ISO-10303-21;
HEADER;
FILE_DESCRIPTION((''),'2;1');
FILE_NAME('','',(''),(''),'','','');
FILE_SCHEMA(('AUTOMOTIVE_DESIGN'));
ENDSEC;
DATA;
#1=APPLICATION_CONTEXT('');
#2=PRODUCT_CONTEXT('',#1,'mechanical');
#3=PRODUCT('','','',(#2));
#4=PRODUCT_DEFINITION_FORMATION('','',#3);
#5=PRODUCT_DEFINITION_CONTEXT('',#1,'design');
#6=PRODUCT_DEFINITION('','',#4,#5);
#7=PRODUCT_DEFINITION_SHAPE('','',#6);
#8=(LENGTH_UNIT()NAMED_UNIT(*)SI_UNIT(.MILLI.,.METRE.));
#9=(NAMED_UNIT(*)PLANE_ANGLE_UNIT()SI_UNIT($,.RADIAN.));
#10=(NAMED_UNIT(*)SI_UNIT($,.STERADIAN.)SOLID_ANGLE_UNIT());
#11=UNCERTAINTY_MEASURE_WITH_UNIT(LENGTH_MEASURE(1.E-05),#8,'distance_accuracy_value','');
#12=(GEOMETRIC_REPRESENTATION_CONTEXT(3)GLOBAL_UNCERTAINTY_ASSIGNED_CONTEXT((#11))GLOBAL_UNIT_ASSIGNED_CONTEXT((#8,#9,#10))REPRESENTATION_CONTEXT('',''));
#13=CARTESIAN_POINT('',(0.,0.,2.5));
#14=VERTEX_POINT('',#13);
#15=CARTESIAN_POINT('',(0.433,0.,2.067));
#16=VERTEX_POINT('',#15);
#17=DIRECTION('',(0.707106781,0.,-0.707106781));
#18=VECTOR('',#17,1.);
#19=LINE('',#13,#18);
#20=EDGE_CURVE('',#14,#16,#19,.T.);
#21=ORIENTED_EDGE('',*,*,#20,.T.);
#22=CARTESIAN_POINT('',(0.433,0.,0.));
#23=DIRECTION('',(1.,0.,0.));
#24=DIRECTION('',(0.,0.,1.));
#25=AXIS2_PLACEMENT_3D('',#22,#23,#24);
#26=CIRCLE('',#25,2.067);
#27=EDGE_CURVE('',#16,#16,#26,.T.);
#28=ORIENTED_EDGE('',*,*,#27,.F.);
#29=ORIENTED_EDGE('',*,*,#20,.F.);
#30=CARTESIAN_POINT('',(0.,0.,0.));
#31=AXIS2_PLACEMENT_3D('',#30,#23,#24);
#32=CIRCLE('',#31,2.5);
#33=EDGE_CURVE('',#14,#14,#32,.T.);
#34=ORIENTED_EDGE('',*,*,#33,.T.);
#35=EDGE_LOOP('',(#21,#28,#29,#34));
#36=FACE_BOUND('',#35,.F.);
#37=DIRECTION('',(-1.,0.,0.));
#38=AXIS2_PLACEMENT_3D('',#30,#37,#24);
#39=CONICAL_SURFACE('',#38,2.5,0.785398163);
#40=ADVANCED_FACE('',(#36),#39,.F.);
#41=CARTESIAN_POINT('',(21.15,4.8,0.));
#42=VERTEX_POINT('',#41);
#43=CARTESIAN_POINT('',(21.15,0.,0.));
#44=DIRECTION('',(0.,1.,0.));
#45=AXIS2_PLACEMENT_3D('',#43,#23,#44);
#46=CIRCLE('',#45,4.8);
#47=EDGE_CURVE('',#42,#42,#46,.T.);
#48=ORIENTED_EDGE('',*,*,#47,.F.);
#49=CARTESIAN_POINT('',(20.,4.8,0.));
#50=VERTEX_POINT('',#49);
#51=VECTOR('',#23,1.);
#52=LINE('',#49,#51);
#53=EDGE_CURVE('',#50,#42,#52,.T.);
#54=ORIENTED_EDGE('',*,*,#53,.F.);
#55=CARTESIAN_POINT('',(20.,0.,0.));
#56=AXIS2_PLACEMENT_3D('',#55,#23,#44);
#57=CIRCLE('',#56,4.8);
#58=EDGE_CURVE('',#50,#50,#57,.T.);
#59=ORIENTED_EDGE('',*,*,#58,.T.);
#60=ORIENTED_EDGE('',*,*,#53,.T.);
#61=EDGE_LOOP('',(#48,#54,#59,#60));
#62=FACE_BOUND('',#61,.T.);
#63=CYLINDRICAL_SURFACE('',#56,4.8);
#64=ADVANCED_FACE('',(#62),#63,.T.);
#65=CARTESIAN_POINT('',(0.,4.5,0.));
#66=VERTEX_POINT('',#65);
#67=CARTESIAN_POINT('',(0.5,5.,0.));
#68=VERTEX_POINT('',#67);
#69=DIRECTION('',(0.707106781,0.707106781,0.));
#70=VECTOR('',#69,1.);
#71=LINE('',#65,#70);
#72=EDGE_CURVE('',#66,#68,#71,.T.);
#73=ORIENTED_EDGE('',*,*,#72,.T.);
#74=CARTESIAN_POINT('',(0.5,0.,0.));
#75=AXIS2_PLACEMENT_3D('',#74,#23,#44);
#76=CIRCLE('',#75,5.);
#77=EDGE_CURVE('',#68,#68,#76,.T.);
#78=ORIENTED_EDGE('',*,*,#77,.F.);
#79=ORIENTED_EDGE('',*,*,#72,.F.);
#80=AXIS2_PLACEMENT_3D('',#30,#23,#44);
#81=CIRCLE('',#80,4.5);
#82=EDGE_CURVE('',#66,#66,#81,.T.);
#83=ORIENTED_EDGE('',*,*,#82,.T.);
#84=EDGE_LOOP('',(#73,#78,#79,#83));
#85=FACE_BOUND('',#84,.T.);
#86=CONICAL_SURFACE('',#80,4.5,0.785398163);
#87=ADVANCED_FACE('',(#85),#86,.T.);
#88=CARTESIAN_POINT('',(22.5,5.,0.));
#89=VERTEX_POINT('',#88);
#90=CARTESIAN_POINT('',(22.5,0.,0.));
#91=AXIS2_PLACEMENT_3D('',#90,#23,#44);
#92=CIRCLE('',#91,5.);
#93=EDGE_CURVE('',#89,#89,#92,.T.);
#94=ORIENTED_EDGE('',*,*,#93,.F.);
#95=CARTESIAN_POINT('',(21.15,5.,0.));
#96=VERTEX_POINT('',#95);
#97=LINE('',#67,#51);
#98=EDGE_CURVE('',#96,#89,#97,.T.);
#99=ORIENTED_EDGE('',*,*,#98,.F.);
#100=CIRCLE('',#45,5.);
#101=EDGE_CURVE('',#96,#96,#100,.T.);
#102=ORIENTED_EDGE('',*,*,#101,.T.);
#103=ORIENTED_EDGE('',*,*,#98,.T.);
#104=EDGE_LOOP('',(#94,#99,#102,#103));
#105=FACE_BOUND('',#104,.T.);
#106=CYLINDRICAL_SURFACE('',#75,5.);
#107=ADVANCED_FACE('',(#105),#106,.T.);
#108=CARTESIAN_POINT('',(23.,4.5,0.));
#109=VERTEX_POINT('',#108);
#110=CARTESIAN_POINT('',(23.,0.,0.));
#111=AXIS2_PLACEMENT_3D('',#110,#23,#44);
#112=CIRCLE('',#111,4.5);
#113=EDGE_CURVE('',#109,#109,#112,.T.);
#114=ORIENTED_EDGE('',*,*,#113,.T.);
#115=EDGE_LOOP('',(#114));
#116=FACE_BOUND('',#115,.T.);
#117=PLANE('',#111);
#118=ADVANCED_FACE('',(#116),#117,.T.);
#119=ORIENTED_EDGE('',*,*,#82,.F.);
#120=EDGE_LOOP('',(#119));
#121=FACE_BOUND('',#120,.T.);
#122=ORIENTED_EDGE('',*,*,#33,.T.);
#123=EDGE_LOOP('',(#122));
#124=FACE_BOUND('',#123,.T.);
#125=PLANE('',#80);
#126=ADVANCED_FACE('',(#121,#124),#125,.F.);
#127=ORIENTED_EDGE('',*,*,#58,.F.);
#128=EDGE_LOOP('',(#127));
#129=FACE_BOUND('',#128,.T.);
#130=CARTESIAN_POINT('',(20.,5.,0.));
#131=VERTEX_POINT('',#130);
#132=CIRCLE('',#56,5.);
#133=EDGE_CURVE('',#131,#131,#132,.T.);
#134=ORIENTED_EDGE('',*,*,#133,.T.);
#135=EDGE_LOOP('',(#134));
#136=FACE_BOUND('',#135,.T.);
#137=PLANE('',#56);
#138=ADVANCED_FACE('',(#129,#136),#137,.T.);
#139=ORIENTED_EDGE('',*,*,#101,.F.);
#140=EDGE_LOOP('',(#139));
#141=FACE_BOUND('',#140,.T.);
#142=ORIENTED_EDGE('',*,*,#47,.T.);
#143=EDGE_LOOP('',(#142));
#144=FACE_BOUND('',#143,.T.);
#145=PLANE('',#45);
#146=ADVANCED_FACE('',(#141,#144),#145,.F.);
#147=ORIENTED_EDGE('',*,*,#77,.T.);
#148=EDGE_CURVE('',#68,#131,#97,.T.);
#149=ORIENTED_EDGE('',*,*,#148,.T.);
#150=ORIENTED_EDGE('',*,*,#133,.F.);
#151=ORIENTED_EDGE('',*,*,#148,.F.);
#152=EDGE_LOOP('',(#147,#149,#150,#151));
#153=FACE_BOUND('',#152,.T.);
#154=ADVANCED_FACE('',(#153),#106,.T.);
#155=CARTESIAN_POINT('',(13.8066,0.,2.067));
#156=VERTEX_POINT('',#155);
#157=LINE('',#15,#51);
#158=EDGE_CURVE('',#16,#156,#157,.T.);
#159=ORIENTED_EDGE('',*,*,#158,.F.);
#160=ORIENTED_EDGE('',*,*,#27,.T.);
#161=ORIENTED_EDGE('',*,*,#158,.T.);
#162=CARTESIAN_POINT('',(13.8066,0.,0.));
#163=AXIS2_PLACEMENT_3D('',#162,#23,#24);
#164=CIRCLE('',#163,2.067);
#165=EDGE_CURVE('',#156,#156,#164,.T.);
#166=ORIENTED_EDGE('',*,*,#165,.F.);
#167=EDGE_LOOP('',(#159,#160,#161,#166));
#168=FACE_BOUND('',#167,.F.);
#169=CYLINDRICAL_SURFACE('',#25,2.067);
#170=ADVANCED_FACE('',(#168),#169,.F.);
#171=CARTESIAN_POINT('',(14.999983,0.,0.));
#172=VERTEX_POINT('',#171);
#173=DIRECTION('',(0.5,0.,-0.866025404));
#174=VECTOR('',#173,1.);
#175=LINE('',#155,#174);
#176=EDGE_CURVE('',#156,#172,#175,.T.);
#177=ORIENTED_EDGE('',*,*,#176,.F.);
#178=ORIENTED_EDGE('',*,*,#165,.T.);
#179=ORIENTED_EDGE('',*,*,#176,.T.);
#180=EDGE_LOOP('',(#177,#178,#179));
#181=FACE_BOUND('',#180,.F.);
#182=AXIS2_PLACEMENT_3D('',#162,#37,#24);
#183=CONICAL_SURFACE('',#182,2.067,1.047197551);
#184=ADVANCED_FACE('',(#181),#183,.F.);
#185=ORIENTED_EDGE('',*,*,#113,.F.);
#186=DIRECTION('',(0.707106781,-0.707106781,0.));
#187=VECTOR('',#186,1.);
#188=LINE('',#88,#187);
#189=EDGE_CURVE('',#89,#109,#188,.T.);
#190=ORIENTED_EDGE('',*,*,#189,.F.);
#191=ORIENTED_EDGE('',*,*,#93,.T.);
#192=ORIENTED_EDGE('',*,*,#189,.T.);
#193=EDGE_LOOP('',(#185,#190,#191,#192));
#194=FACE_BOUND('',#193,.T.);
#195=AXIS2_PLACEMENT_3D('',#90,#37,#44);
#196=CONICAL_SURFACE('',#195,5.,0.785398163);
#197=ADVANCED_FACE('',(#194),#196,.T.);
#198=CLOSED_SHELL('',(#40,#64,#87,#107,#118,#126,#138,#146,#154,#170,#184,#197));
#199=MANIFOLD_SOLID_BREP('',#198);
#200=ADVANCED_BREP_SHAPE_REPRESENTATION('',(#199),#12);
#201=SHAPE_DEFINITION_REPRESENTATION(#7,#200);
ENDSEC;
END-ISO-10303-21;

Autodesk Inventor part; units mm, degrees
sketch "Sketch_1" plane through (0, 0, 0) normal (0, 0, 1) x (1, 0, 0)
  line L0 (23, 0) -> (0, 0)
  line L1 (0, 0) -> (0, 4.5)
  line L2 (0, 4.5) -> (0.5, 5)
  line L3 (0.5, 5) -> (22.5, 5)
  line L4 (22.5, 5) -> (23, 4.5)
  line L5 (23, 4.5) -> (23, 0)
  line L6 (23, 0) -> (0, 0)
revolve "Revolution1" add sketch "Sketch_1" angle 360 about axis through (23, 0, 0) along (1, 0, 0)
sketch "Sketch2" plane through (0, 0, 0) normal (-1, 0, 0) x (0, 0, 1)
  point P0 (0, 0)
hole "Hole1" at (0, 0, 0) direction (1, 0, 0) diameter 4.134 depth 13.8066 tip angle 120 countersink diameter 5 countersink angle 90 thread size "M5x0.8" class "6H" standard "ISO Metric profile"
sketch "Sketch_20" plane through (0, 0, 0) normal (0, 0, 1) x (1, 0, 0)
  line L0 (23, 0) -> (-23, 0)
  line L1 (20, 9.6) -> (20, 4.8)
  line L2 (20, 4.8) -> (21.15, 4.8)
  line L3 (21.15, 4.8) -> (21.15, 9.6)
  line L4 (21.15, 9.6) -> (20, 9.6)
revolve "Revolution2" cut sketch "Sketch_20" angle 360 about axis through (23, 0, 0) along (1, 0, 0)
ref_plane "to_ring_F_R_XY" through (20.575, 0, 0) normal (1, 0, 0) x (0, 0, -1)
ref_plane "to_ring_F_R_YZ" through (20.575, 0, 0) normal (0, 0, -1) x (0, 1, 0)
ref_plane "to_ring_F_R_ZX" through (20.575, 0, 0) normal (0, 1, 0) x (1, 0, 0)
properties part number "SSFRBF-D10-L23-M5-U3"
